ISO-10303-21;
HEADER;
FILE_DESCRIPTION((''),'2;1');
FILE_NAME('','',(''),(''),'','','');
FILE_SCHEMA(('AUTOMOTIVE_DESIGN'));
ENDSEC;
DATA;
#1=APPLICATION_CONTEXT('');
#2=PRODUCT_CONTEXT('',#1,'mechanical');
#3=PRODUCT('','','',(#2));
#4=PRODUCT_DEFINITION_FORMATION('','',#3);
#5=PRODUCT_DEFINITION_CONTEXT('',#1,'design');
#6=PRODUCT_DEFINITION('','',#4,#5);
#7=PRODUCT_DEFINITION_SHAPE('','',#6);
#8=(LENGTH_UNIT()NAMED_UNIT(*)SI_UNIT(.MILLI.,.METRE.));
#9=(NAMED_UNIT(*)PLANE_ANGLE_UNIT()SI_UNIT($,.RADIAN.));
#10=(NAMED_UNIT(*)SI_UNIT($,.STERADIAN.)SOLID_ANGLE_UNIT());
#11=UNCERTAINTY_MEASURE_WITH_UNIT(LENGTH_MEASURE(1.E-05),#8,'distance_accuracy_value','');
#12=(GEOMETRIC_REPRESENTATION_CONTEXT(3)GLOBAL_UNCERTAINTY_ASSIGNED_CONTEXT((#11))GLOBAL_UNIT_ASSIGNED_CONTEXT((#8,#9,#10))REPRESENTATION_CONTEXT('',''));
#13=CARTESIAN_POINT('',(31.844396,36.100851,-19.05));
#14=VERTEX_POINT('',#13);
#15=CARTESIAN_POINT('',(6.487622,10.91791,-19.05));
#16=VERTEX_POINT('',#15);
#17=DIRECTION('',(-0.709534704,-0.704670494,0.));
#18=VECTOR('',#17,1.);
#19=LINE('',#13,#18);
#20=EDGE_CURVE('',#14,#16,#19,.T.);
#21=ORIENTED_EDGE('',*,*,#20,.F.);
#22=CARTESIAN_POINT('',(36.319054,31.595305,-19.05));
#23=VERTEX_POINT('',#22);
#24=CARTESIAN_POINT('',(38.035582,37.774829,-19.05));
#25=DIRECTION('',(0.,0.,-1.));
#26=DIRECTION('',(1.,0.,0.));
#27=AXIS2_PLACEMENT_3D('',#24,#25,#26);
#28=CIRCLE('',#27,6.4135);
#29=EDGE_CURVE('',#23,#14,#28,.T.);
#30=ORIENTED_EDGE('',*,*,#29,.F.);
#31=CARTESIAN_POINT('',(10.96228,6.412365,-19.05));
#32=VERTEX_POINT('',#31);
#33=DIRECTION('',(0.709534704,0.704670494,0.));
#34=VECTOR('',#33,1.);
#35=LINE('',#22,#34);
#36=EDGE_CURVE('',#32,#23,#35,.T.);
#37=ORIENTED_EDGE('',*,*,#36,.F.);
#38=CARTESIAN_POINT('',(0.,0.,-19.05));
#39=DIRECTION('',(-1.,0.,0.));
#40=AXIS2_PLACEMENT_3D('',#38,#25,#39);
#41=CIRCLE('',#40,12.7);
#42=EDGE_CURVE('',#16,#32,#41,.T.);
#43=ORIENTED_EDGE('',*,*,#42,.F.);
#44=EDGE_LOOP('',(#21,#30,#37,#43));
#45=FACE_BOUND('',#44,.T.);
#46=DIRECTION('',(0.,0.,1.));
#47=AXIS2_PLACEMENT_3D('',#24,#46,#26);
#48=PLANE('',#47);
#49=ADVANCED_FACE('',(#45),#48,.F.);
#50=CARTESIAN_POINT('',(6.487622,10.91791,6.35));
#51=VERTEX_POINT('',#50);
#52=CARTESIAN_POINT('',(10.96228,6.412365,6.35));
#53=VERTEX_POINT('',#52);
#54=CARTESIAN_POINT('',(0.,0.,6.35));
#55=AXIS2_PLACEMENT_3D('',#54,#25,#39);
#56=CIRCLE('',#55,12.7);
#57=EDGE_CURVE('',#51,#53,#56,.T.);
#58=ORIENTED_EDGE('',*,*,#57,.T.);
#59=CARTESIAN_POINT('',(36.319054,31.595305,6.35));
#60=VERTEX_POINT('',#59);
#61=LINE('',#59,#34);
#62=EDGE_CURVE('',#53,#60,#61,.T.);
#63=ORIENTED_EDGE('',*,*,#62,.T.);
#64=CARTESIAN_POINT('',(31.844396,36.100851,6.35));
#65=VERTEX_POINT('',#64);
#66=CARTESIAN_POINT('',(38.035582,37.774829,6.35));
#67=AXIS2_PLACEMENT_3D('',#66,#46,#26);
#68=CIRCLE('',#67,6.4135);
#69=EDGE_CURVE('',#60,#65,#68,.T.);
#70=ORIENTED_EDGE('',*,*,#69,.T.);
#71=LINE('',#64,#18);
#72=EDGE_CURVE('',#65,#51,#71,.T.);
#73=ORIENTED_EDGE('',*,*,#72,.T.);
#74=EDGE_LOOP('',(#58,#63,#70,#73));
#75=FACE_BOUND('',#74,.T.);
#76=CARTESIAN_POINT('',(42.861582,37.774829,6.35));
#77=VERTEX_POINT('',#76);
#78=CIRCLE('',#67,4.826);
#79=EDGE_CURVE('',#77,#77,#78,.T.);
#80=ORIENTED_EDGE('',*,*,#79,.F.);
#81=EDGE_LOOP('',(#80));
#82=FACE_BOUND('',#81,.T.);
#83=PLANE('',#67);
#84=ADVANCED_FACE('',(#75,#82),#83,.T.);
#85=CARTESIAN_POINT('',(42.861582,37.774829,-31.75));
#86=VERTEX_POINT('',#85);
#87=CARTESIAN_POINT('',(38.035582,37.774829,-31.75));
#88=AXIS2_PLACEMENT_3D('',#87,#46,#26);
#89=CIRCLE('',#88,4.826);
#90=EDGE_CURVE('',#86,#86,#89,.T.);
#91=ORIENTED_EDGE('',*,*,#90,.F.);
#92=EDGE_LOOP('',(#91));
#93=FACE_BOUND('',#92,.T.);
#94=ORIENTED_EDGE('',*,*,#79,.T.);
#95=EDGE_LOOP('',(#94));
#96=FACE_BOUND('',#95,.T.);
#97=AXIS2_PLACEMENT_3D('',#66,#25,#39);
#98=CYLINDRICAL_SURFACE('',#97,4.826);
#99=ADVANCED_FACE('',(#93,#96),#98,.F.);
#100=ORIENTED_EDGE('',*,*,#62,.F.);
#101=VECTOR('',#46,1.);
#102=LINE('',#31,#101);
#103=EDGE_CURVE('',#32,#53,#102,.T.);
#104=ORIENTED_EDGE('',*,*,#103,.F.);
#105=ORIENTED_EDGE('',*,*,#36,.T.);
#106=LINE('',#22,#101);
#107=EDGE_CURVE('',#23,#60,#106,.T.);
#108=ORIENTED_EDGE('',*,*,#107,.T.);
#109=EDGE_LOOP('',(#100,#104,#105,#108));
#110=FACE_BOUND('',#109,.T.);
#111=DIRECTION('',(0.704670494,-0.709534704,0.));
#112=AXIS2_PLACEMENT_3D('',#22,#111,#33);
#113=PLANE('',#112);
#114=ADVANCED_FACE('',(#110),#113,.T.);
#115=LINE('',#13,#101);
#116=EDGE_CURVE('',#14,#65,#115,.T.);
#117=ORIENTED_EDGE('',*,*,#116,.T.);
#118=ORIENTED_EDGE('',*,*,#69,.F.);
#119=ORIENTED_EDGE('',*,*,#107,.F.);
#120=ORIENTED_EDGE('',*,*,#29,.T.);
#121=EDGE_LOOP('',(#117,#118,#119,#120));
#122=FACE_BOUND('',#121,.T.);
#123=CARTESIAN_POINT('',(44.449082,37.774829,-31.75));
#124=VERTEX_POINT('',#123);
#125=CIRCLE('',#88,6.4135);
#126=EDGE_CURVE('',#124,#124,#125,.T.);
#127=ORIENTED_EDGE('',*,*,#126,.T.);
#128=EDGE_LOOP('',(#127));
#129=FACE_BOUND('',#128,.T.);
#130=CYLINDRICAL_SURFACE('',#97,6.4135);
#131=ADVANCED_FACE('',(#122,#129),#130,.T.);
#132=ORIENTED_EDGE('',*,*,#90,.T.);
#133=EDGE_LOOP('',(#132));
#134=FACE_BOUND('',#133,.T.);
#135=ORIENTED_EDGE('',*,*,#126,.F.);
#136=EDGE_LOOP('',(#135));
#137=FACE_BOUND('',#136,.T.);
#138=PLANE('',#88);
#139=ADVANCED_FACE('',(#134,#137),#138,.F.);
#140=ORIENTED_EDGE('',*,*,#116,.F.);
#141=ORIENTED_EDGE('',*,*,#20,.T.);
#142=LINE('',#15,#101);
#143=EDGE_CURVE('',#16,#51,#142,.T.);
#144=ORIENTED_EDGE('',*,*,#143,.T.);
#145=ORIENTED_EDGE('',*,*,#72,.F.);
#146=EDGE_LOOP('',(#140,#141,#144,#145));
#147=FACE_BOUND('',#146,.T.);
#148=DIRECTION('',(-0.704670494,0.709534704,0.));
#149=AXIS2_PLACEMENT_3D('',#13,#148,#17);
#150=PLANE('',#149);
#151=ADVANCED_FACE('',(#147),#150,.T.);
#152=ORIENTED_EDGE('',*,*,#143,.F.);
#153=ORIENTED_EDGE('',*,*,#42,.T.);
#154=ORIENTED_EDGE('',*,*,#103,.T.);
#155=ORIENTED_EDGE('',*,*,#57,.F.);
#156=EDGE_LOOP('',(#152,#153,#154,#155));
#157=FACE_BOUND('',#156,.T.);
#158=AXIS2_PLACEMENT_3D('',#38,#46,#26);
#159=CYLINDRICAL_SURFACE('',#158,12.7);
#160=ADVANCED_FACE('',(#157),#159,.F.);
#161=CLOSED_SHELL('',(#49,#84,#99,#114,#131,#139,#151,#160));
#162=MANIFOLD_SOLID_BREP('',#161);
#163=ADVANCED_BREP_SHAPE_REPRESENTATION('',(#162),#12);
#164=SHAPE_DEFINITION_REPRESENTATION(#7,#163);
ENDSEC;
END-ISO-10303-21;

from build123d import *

# Parameters (mm, degrees)
SKETCH2_R      = 6.4135
SKETCH2_R_2    = 4.826
EXTRUDE1_DEPTH = 38.1
EXTRUDE2_DEPTH = 25.4


with BuildPart() as part:
    # Sketch2 → Extrude1 (new body)
    with BuildSketch(Plane.XY.offset(-31.75)):
        with Locations((38.035581748, 37.774829094)):
            Circle(SKETCH2_R)
        with Locations((38.035581748, 37.774829094)):
            Circle(SKETCH2_R_2, mode=Mode.SUBTRACT)
    extrude(amount=EXTRUDE1_DEPTH)

    # Sketch3 → Extrude2 (add)
    with BuildSketch(Plane.XY.offset(6.35)):
        with BuildLine():
            Line((31.844396197, 36.10085068), (6.48762227, 10.917909932))
            ThreePointArc((6.48762227, 10.917909932), (9.011090735, 8.949315268), (10.962279904, 6.412364564))
            Line((10.962279904, 6.412364564), (36.319053831, 31.595305313))
            ThreePointArc((36.319053831, 31.595305313), (33.484980926, 33.255424883), (31.844396197, 36.10085068))
        make_face()
    extrude(amount=-EXTRUDE2_DEPTH)


solid = part.part
